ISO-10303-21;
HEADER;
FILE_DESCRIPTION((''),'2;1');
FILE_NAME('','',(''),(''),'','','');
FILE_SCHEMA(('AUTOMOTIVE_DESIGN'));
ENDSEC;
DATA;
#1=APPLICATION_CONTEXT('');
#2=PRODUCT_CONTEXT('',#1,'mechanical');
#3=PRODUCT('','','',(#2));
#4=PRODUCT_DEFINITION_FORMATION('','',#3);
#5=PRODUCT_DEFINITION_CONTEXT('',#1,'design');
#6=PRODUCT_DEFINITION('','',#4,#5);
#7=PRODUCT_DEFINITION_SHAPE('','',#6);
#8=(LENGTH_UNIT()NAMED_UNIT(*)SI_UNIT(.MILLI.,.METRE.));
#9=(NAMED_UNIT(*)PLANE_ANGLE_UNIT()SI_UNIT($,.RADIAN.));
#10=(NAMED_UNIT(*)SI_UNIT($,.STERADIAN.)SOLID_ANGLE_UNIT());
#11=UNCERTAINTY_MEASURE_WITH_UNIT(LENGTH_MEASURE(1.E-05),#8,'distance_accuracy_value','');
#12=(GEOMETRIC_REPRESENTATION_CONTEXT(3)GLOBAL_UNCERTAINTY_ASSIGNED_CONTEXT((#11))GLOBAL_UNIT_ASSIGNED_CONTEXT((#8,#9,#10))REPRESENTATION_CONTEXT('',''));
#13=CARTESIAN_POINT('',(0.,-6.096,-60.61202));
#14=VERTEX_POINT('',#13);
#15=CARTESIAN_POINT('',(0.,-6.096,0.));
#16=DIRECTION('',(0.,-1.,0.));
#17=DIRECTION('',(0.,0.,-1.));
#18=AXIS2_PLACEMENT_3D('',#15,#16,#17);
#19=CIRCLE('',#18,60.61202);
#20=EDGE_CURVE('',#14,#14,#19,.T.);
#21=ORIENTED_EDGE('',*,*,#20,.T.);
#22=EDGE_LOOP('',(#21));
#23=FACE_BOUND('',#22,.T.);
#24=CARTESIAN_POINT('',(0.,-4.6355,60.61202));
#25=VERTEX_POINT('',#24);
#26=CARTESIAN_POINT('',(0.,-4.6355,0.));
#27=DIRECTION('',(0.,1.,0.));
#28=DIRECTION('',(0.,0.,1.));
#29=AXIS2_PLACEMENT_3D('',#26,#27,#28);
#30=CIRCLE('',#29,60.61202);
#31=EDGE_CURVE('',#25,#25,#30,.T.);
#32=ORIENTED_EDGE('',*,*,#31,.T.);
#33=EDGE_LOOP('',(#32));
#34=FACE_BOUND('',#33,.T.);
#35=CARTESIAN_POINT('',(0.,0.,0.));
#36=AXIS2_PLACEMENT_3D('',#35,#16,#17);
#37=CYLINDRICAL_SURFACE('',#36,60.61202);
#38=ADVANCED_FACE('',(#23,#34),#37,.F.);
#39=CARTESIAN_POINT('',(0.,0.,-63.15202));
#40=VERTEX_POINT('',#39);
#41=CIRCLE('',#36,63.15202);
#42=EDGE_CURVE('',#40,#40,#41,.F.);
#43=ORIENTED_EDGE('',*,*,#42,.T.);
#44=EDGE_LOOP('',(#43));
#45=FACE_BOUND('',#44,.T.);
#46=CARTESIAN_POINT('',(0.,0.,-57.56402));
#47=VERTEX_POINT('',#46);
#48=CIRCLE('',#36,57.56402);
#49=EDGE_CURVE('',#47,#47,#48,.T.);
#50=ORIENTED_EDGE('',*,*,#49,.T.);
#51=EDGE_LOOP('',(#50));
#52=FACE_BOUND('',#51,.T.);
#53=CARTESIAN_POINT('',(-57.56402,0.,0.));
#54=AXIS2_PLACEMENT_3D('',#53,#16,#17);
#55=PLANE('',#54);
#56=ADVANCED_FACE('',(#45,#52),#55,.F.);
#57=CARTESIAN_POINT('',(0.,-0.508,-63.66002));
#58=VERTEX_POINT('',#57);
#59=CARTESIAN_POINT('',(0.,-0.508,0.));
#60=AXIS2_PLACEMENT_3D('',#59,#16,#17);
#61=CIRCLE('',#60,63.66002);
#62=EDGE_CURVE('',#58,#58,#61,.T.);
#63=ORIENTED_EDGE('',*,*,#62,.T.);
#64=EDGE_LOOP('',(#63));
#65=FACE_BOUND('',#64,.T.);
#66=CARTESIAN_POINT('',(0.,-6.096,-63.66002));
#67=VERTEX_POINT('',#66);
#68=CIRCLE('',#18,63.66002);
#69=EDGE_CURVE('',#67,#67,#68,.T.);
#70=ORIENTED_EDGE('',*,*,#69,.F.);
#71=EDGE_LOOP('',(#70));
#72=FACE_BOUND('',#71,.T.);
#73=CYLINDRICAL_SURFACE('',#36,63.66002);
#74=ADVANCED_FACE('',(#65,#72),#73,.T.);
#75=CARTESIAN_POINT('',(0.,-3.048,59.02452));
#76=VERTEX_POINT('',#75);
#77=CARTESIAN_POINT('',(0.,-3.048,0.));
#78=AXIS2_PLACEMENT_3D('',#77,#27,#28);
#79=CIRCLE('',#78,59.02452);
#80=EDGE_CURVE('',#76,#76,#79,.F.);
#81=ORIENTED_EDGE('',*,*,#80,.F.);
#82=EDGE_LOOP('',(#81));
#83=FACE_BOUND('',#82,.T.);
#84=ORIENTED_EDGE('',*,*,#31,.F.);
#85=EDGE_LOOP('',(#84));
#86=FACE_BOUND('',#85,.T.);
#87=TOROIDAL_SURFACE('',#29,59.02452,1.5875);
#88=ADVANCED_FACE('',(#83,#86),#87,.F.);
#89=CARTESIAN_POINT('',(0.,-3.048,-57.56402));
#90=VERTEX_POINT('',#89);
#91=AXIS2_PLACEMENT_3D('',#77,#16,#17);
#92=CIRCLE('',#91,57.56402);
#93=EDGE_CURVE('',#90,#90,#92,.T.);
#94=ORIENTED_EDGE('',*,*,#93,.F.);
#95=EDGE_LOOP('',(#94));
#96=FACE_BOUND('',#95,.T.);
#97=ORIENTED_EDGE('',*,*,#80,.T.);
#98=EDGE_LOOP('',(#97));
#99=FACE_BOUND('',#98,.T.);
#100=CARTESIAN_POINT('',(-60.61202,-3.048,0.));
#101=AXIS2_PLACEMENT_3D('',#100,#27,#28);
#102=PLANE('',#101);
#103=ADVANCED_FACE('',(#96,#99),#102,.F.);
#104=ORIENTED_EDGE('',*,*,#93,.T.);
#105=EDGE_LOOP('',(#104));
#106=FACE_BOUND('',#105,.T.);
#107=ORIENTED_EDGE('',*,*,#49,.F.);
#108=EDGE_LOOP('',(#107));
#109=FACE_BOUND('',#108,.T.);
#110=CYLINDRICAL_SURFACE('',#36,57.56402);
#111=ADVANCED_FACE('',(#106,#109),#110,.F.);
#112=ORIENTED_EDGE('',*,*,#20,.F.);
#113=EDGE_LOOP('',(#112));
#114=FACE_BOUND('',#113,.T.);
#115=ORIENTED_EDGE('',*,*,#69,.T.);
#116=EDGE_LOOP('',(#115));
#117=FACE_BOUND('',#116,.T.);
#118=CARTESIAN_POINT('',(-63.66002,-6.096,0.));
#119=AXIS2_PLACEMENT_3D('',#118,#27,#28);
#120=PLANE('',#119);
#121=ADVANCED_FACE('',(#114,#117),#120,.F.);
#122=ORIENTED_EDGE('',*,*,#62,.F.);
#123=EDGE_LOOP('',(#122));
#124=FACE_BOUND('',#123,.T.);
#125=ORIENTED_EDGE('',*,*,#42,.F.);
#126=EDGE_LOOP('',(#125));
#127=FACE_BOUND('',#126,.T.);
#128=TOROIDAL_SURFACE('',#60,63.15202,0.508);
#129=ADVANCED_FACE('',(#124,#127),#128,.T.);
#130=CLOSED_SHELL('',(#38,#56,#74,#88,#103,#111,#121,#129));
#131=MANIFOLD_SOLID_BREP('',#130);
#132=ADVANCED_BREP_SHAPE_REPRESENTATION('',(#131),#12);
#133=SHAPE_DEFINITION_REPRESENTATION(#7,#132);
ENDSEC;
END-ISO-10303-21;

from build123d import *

# Parameters (mm, degrees)
FILLET1_R = 1.5875
FILLET2_R = 0.508


with BuildPart() as part:
    # Sketch1 → Revolve1 (revolve)
    with BuildSketch(Plane.XY, mode=Mode.PRIVATE) as revolve1_sk:
        Polygon((-57.56402, 0), (-63.66002, 0), (-63.66002, -6.096), (-60.61202, -6.096), (-60.61202, -3.048), (-57.56402, -3.048), align=None)
    revolve(revolve1_sk.sketch.rotate(Axis((0, 0, 0), (0, 1, 0)), 270), axis=Axis((0, 0, 0), (0, 1, 0)))

    # Fillet1
    fillet1_edges = [part.edges().sort_by_distance(p)[0] for p in [
        (0, -3.048, 60.61202),
    ]]
    fillet(fillet1_edges, radius=FILLET1_R)

    # Fillet2
    fillet2_edges = [part.edges().sort_by_distance(p)[0] for p in [
        (0, 0, 63.66002),
    ]]
    fillet(fillet2_edges, radius=FILLET2_R)


solid = part.part
